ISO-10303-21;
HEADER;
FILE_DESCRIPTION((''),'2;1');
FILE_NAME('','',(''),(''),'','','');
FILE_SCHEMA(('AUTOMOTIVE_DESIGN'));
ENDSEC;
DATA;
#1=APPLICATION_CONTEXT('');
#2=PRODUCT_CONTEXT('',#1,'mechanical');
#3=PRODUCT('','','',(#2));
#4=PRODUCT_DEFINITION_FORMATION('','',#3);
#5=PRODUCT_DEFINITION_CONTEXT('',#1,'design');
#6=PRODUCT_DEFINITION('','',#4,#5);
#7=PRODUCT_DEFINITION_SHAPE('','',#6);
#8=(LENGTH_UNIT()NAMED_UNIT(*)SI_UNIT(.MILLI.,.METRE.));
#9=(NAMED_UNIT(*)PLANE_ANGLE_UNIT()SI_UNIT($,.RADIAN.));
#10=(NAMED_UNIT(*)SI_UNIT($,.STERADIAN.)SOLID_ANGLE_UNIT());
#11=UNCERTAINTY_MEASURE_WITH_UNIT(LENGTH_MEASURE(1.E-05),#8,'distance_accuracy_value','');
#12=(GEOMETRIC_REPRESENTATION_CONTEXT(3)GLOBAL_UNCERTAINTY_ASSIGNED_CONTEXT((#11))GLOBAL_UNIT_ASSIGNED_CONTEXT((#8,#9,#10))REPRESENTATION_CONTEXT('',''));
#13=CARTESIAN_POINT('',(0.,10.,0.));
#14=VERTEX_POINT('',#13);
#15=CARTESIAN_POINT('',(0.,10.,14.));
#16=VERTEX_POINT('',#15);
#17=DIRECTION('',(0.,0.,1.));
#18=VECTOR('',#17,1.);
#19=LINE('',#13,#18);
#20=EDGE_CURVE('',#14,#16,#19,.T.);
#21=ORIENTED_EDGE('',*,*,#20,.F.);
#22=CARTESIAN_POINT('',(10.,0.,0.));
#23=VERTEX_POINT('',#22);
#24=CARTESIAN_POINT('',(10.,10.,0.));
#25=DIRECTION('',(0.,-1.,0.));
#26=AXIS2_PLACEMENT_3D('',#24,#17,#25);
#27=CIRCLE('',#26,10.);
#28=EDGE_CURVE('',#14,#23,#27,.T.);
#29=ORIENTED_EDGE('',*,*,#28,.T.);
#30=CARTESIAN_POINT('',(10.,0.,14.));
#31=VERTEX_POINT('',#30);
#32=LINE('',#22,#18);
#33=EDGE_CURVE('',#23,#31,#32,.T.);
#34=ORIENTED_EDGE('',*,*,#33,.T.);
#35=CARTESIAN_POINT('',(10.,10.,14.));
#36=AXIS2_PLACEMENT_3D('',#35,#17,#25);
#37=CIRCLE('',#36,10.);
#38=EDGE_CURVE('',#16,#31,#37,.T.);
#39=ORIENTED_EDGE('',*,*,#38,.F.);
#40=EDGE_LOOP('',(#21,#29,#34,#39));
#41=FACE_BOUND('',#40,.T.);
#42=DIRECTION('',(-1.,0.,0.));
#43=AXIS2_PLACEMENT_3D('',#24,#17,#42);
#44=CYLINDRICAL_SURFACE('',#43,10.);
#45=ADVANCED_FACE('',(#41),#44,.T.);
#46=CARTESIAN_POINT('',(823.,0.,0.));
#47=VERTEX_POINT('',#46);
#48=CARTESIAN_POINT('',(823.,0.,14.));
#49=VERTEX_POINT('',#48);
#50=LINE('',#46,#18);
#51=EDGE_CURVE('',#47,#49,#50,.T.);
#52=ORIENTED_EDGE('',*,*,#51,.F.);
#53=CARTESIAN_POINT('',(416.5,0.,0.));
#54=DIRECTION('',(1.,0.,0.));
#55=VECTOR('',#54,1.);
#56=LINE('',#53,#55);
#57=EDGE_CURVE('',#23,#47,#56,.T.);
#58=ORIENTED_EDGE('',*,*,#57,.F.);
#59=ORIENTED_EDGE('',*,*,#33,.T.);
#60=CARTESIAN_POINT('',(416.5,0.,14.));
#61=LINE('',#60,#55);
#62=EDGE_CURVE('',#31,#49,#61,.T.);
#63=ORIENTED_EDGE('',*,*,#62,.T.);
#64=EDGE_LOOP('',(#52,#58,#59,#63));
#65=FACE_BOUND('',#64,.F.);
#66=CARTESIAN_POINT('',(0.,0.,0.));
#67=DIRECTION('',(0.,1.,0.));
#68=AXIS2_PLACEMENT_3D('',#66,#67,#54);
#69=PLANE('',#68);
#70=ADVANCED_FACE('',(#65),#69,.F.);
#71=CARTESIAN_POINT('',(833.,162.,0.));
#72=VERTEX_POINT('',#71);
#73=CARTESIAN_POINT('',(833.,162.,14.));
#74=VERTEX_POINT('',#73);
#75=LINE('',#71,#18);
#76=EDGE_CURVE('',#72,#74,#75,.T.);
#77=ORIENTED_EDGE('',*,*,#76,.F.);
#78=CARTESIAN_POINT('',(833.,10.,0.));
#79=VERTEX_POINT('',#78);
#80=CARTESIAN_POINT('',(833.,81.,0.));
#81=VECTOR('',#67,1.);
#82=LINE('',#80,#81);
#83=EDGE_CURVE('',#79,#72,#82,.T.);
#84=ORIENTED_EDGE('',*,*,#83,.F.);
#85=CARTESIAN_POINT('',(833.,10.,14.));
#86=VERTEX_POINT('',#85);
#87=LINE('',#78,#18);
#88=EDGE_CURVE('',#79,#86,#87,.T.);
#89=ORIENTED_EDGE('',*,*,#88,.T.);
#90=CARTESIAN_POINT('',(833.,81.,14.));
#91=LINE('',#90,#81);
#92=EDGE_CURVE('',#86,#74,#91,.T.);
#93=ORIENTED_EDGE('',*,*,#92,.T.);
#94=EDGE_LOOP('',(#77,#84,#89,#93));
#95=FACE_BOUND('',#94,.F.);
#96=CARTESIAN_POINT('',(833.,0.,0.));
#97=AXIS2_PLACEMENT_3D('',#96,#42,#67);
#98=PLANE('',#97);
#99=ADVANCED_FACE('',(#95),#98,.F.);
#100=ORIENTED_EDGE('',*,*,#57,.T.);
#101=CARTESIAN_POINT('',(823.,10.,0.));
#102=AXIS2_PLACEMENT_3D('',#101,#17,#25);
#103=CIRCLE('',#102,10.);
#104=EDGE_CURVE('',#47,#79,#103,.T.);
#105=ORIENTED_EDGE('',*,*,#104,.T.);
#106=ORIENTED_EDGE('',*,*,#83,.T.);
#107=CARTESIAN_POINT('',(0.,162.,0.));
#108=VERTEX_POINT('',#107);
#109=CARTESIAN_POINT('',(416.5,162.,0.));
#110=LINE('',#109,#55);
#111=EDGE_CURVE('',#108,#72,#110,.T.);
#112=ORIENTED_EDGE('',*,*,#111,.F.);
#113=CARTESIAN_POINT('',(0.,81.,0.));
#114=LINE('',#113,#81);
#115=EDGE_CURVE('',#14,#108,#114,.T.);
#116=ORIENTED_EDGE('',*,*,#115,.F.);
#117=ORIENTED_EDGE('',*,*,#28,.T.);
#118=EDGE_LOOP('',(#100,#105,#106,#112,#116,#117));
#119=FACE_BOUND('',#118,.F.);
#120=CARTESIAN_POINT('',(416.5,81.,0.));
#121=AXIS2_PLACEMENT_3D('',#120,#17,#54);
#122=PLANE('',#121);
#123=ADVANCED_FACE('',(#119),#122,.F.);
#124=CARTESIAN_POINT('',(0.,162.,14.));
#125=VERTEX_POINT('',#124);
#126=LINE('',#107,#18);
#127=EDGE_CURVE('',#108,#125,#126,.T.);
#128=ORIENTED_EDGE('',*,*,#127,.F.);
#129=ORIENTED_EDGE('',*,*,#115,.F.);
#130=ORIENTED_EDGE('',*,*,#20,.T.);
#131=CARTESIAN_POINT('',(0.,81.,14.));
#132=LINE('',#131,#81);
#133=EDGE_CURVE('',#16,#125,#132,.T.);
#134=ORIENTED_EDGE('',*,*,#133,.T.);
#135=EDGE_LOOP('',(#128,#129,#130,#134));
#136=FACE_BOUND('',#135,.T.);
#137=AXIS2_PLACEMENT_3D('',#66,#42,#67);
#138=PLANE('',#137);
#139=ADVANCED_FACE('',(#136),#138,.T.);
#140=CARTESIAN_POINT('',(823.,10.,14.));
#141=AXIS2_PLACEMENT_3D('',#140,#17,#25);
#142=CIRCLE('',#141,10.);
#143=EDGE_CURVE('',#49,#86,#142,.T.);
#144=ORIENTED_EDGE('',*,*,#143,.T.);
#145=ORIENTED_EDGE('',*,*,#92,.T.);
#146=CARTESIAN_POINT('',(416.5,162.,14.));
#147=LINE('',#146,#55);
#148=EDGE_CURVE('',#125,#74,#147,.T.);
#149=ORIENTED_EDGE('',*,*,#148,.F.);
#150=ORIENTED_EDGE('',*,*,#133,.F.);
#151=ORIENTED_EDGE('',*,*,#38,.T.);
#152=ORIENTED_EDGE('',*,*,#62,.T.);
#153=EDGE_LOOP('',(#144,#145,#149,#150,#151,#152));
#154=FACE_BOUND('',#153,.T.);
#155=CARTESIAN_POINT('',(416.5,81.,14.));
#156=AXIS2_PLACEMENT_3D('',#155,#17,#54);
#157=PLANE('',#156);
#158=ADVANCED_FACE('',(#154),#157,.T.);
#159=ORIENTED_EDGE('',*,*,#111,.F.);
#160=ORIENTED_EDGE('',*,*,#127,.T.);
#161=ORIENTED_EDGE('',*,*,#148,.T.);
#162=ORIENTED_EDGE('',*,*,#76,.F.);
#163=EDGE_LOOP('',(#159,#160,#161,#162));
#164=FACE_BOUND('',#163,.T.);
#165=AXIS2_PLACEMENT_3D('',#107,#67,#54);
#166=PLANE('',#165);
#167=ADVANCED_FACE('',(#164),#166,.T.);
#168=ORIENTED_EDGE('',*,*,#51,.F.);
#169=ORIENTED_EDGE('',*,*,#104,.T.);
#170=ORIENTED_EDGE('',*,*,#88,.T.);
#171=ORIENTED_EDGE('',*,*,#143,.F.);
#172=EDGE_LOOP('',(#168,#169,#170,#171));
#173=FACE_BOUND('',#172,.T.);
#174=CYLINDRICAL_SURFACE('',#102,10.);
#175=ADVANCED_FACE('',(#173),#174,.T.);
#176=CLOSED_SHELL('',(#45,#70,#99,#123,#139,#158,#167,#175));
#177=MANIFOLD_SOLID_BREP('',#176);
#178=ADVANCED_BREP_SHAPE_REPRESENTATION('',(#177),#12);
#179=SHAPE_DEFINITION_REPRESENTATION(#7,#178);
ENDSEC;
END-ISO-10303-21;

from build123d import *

# Parameters (mm, degrees)
BOX_W       = 833
BOX_H       = 162
BOX_DEPTH   = 14
FILLET_R    = 10
FILLET001_R = 10


with BuildPart() as part:
    # Box → Box (new body)
    with BuildSketch(Plane.XY):
        with Locations((416.5, 81)):
            Rectangle(BOX_W, BOX_H)
    extrude(amount=BOX_DEPTH)

    # Fillet
    fillet_edges = [part.edges().sort_by_distance(p)[0] for p in [
        (0, 0, 7),
    ]]
    fillet(fillet_edges, radius=FILLET_R)

    # Fillet001
    fillet001_edges = [part.edges().sort_by_distance(p)[0] for p in [
        (833, 0, 7),
    ]]
    fillet(fillet001_edges, radius=FILLET001_R)


solid = part.part
